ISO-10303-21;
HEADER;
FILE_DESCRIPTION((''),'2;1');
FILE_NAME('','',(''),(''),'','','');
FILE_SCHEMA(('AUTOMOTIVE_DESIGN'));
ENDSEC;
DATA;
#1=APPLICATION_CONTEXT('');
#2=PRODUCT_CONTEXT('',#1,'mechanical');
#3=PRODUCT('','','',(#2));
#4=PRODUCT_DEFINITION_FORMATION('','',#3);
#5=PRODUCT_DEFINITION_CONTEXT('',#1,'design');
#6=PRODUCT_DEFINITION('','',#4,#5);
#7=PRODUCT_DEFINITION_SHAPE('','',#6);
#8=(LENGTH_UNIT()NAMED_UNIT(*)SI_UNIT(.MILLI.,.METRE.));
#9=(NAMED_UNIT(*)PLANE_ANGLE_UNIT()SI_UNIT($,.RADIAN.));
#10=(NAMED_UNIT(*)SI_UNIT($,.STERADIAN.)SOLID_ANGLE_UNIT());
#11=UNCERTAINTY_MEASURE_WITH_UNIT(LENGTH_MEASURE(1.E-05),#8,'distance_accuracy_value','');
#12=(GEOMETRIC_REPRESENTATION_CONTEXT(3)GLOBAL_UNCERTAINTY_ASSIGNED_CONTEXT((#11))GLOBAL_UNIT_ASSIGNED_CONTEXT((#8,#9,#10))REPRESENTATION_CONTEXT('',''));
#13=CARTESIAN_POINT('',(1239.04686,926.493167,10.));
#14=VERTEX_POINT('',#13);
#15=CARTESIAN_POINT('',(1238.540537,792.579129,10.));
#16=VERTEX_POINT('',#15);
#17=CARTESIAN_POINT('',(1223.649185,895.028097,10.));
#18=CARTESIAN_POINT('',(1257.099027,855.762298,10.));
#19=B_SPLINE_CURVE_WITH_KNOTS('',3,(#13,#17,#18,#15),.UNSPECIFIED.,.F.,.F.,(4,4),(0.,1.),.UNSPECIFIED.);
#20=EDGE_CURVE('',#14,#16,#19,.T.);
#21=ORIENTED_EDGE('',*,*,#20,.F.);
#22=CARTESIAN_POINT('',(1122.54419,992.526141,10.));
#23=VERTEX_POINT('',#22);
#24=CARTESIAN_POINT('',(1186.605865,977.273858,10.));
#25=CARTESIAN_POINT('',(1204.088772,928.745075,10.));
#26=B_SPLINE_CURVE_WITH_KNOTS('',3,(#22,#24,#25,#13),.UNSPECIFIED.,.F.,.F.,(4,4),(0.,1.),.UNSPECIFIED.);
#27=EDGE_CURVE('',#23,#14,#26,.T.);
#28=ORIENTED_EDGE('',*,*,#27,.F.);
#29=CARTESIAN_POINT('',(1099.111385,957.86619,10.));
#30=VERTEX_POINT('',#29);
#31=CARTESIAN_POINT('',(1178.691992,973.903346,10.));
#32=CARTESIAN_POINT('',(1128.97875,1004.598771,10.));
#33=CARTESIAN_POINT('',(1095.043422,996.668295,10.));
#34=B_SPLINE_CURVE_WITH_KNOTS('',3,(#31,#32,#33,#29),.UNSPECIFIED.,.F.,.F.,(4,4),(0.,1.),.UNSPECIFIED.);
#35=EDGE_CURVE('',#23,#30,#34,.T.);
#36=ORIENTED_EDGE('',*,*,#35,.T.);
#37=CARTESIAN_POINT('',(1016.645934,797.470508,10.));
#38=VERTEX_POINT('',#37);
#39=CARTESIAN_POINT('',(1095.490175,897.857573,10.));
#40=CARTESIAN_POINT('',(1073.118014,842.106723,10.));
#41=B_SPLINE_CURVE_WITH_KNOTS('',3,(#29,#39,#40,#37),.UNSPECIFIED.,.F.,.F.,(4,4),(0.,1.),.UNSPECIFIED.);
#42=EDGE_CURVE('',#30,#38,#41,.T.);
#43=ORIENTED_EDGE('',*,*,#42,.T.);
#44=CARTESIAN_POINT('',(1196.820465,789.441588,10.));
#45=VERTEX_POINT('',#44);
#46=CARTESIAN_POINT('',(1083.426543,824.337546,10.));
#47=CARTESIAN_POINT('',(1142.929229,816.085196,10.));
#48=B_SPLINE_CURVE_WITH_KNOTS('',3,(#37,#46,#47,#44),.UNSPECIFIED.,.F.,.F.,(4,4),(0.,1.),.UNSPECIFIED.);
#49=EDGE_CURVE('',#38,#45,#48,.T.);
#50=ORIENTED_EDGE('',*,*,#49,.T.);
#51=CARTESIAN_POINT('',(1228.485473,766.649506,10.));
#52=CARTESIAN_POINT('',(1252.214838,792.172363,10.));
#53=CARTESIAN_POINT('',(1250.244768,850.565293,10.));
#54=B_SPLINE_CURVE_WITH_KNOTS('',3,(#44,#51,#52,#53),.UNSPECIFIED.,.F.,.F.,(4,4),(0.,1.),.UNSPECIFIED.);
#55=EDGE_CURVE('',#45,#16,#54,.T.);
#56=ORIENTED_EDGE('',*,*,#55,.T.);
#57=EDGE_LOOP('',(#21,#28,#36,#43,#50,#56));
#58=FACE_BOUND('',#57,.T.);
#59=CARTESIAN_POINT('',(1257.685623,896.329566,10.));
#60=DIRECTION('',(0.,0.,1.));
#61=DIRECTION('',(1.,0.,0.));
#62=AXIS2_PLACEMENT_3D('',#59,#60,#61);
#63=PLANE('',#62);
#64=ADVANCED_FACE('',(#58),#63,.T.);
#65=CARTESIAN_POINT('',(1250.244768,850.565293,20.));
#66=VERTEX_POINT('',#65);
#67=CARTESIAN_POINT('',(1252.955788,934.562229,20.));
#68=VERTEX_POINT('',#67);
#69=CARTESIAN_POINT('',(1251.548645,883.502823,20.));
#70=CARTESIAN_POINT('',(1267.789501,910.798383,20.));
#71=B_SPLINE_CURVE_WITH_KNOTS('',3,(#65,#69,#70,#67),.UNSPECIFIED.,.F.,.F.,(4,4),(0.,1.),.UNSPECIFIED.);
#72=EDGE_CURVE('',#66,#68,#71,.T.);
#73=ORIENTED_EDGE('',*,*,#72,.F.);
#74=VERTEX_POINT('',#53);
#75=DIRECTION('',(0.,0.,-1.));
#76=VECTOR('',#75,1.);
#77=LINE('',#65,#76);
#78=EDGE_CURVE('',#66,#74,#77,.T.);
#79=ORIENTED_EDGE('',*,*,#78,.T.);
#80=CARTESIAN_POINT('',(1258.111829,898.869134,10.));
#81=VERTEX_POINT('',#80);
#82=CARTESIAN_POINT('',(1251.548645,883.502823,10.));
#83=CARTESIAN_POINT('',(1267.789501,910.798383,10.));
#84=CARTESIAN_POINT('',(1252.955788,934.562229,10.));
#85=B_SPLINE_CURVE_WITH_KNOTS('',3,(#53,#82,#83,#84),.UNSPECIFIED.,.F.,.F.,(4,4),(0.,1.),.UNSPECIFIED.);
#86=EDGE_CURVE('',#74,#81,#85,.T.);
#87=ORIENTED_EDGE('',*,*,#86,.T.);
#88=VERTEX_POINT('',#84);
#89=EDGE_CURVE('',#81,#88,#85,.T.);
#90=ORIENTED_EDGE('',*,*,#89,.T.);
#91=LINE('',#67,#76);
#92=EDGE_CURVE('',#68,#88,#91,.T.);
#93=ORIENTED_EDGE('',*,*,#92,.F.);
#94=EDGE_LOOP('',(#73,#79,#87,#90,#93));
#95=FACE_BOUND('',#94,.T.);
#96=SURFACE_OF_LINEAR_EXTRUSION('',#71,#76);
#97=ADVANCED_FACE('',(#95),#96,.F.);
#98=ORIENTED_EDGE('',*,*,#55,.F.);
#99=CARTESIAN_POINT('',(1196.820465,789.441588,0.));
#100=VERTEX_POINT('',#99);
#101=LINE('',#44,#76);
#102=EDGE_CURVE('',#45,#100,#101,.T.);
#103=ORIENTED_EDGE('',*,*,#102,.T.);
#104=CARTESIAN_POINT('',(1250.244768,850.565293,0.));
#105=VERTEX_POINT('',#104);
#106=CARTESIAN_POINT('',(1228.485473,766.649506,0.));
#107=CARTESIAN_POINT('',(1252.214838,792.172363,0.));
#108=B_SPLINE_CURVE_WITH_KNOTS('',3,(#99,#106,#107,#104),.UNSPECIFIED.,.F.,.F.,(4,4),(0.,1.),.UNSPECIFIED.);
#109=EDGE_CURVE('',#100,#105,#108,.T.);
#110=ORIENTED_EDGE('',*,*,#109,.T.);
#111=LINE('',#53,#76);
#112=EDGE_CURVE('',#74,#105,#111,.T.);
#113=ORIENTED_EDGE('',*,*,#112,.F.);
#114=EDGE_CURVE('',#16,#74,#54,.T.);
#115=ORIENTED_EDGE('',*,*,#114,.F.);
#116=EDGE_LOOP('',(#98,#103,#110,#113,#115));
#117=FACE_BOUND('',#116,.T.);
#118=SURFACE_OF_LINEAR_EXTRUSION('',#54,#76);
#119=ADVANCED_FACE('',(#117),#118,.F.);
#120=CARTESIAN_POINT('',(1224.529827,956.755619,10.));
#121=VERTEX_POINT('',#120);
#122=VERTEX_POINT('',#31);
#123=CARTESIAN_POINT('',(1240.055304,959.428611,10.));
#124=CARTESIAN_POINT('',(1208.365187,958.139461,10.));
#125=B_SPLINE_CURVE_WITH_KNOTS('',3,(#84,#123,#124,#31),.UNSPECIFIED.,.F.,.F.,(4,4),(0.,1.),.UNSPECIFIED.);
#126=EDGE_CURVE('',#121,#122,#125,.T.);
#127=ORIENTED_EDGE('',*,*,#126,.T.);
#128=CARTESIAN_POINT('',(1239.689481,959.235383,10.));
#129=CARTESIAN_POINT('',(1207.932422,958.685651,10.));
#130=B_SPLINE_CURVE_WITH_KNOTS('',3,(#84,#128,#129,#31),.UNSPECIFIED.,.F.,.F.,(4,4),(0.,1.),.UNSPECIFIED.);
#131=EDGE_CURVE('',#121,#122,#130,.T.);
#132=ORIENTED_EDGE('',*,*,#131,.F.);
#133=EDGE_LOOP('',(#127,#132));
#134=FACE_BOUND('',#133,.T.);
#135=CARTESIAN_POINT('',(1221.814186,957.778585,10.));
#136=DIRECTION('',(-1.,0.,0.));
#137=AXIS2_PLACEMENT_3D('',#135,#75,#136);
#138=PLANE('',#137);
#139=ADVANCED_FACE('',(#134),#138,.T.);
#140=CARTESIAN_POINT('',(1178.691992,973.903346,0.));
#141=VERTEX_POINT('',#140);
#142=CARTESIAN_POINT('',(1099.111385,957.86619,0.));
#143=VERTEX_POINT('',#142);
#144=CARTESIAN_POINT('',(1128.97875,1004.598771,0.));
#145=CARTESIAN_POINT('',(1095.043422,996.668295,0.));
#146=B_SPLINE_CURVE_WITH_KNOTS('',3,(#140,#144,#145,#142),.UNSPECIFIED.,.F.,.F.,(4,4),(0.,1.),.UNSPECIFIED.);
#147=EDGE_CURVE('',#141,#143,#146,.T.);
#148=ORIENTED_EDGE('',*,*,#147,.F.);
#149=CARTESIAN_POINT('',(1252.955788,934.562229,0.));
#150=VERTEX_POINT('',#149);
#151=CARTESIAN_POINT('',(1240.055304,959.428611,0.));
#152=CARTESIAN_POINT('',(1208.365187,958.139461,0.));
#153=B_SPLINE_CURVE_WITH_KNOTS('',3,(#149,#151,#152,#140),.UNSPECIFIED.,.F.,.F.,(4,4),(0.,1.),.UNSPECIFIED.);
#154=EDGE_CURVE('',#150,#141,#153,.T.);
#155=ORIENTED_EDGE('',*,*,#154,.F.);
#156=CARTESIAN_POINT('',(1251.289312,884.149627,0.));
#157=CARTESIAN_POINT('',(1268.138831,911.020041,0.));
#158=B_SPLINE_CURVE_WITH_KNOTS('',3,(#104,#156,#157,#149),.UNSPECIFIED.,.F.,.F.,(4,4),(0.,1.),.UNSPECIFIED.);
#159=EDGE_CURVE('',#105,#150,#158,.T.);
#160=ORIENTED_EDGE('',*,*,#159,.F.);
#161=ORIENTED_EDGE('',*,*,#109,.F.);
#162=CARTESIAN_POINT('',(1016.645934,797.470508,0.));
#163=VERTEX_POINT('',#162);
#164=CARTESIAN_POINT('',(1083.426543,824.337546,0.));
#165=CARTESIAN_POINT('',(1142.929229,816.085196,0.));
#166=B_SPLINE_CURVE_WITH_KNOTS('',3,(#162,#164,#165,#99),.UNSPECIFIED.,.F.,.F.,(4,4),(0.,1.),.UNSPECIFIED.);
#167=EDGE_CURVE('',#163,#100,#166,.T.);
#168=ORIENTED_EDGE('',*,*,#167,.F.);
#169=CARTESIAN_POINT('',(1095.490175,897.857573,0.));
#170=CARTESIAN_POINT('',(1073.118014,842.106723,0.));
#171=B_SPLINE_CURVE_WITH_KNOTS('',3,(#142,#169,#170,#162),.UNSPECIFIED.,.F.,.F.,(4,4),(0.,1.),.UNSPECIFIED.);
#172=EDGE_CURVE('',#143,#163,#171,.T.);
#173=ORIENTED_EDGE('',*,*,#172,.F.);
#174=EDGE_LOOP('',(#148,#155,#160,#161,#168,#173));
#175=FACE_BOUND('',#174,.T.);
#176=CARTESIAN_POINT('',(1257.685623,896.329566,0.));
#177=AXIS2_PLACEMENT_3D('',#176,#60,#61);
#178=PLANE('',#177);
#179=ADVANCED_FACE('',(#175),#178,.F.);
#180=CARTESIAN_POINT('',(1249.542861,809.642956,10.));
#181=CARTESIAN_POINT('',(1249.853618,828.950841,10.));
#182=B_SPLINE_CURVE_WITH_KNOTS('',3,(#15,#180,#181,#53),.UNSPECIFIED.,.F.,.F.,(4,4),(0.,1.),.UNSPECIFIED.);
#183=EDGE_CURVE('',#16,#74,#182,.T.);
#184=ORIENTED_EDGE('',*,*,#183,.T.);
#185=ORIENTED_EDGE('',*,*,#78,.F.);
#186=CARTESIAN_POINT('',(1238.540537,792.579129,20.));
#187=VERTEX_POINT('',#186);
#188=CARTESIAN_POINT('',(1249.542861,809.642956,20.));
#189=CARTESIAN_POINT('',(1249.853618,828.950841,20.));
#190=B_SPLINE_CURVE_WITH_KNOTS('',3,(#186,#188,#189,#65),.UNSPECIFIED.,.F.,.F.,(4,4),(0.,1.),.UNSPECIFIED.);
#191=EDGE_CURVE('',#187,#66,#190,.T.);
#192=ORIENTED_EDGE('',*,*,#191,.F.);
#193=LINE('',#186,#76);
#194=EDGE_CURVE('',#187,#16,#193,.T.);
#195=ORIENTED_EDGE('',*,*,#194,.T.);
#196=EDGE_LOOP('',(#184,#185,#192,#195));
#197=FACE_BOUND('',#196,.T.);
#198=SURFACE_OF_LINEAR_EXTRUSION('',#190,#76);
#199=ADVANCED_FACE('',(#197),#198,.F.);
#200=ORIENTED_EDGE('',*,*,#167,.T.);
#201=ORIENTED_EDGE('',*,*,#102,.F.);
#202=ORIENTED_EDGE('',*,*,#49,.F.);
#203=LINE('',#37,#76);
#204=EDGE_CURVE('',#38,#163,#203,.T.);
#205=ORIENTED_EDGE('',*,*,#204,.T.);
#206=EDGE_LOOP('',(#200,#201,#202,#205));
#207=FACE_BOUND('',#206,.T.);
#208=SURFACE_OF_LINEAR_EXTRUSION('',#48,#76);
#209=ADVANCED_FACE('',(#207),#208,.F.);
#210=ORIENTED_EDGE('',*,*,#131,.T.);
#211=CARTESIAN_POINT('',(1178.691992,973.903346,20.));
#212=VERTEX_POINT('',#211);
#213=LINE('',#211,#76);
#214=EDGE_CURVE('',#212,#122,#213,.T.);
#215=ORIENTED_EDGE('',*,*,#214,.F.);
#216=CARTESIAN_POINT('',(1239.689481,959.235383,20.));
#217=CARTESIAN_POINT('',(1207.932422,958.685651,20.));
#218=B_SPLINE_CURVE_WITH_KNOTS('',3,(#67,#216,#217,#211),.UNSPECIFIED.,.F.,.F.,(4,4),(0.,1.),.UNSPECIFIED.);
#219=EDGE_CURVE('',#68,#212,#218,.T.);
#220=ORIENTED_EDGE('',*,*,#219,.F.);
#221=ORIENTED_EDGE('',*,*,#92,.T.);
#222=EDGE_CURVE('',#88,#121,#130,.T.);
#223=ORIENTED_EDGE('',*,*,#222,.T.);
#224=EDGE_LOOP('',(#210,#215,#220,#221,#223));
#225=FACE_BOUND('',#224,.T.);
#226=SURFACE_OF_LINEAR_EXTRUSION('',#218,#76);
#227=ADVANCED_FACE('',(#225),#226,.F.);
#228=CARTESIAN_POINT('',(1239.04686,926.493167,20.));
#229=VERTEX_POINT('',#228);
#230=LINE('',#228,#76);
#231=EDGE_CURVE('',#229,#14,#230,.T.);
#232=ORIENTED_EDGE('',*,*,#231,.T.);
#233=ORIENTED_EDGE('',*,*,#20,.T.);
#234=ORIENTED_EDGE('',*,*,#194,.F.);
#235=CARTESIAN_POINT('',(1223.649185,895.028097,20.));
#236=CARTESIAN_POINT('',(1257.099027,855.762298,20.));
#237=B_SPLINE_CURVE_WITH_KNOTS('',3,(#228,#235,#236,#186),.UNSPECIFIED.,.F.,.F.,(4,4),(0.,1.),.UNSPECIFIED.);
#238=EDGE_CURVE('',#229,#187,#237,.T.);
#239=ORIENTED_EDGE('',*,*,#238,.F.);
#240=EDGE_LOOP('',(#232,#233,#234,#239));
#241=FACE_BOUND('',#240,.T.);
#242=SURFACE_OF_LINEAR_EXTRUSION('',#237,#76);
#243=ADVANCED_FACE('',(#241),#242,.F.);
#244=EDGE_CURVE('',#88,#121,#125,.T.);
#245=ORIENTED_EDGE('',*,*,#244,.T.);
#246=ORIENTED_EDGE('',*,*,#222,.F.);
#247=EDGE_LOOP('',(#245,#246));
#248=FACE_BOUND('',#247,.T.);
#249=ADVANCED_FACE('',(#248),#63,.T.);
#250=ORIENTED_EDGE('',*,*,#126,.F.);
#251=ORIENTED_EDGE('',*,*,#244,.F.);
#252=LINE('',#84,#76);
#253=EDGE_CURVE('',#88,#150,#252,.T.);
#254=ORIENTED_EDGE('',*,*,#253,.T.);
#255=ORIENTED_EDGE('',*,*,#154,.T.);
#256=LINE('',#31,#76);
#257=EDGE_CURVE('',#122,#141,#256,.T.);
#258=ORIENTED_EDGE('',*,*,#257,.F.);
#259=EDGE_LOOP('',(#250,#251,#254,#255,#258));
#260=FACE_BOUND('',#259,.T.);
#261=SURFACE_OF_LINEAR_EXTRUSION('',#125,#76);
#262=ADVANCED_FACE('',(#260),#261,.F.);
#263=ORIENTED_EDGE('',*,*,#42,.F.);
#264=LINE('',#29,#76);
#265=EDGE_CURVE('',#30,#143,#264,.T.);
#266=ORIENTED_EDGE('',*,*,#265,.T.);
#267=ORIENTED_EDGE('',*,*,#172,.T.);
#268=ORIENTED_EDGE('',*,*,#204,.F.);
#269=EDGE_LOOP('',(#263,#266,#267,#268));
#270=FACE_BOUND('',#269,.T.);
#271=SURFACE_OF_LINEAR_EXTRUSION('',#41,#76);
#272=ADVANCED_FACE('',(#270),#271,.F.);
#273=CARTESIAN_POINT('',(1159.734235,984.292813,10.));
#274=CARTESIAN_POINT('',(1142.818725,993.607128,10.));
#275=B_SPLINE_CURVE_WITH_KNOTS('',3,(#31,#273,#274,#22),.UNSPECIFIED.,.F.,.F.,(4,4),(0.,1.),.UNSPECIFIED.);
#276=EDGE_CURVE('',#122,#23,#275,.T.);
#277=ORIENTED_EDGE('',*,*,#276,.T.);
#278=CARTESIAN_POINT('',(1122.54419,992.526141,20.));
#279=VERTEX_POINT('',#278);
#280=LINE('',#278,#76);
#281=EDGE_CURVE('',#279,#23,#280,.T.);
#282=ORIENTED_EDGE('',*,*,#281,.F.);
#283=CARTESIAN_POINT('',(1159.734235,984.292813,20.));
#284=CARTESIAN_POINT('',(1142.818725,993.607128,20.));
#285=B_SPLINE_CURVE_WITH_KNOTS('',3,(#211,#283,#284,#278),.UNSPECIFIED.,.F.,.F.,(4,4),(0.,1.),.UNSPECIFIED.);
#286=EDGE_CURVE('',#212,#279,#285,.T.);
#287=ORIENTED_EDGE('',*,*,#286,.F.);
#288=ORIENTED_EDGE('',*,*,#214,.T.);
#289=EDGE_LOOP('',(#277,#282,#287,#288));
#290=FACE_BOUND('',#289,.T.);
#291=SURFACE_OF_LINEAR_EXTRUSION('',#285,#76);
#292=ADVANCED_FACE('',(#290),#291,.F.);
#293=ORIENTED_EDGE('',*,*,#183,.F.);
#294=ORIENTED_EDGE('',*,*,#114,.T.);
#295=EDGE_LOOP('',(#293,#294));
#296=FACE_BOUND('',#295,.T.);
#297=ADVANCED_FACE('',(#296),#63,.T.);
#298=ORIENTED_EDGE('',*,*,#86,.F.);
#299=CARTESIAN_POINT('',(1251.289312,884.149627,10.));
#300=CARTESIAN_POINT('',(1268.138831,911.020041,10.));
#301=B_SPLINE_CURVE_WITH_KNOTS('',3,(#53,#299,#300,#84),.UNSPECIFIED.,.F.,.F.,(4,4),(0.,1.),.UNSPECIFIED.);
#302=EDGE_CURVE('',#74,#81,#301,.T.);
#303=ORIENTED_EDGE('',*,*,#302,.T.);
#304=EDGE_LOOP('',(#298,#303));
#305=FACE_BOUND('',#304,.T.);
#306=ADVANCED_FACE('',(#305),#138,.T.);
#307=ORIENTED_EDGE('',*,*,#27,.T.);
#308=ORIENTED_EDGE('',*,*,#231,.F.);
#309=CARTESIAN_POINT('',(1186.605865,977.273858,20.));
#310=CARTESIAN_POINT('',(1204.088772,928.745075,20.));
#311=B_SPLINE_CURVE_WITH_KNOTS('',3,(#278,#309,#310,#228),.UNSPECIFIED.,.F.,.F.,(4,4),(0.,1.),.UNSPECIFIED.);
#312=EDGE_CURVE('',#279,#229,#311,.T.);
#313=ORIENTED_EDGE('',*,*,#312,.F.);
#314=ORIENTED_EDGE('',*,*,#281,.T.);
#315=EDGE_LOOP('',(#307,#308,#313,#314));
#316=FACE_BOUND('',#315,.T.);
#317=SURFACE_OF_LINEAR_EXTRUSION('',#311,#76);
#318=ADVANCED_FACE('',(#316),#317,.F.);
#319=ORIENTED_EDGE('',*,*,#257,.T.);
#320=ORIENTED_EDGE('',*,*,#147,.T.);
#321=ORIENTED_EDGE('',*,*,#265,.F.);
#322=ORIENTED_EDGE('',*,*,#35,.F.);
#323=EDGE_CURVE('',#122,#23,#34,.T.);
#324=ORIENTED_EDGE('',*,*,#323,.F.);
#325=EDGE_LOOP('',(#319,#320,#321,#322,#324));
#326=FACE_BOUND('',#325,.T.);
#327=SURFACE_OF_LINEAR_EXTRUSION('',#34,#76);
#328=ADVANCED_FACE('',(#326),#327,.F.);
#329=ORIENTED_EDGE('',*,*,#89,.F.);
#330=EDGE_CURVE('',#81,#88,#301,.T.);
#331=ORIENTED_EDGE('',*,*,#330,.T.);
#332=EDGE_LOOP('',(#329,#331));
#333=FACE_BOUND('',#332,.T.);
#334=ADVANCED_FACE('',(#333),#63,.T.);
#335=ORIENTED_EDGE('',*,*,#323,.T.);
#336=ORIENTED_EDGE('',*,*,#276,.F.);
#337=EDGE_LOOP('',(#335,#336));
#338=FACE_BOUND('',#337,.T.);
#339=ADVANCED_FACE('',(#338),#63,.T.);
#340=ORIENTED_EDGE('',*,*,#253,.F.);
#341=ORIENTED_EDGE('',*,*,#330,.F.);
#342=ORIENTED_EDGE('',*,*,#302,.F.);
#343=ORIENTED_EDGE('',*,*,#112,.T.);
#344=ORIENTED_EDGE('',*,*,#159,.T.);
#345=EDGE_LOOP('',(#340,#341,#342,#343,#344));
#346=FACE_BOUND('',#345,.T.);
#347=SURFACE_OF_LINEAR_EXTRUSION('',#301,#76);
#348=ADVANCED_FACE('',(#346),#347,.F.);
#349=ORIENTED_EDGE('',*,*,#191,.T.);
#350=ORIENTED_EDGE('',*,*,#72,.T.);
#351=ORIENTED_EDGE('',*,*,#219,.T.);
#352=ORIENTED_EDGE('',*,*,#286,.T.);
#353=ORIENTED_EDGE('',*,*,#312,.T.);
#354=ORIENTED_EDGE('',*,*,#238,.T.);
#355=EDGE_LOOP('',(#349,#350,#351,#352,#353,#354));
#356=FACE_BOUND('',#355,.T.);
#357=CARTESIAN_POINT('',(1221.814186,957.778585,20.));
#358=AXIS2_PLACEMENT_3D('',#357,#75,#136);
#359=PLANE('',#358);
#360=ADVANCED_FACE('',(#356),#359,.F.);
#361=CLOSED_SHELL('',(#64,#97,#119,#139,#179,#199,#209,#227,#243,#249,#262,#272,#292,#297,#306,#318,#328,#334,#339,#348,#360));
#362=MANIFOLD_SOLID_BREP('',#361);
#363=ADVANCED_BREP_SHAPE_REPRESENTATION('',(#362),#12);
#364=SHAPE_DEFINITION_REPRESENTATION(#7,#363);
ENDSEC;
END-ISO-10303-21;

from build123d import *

# Parameters (mm, degrees)
BOSS_EXTRUDE1_DEPTH = 10
BOSS_EXTRUDE2_DEPTH = 10


with BuildPart() as part:
    # Sketch1 → Boss-Extrude1 (new body)
    with BuildSketch(Plane.XY):
        with BuildLine():
            add(Edge.make_bspline(
                [(1252.955787897, 934.562229178), (1240.055303758, 959.428610854), (1208.365187, 958.139461479), (1178.69199211, 973.903346264)],
                knots=[0, 0, 0, 0, 1, 1, 1, 1], degree=3))
            add(Edge.make_bspline(
                [(1178.69199211, 973.903346264), (1128.978750358, 1004.598770701), (1095.043421859, 996.66829496), (1099.111384517, 957.8661896)],
                knots=[0, 0, 0, 0, 1, 1, 1, 1], degree=3))
            add(Edge.make_bspline(
                [(1099.111384517, 957.8661896), (1095.490174888, 897.857572891), (1073.118013743, 842.106722885), (1016.645934102, 797.470508127)],
                knots=[0, 0, 0, 0, 1, 1, 1, 1], degree=3))
            add(Edge.make_bspline(
                [(1196.820465005, 789.441587826), (1142.929228565, 816.08519632), (1083.426542959, 824.337546066), (1016.645934102, 797.470508127)],
                knots=[0, 0, 0, 0, 1, 1, 1, 1], degree=3))
            add(Edge.make_bspline(
                [(1250.244767726, 850.565293354), (1252.214837872, 792.172363041), (1228.485472959, 766.649506487), (1196.820465005, 789.441587826)],
                knots=[0, 0, 0, 0, 1, 1, 1, 1], degree=3))
            add(Edge.make_bspline(
                [(1252.955787897, 934.562229178), (1268.138830869, 911.020040775), (1251.289312028, 884.149627286), (1250.244767726, 850.565293354)],
                knots=[0, 0, 0, 0, 1, 1, 1, 1], degree=3))
        make_face()
    extrude(amount=BOSS_EXTRUDE1_DEPTH)

    # Sketch2 → Boss-Extrude2 (add)
    with BuildSketch(Plane.XY.offset(10)):
        with BuildLine():
            add(Edge.make_bspline(
                [(1239.046859662, 926.493166974), (1223.649185402, 895.028097144), (1257.099026818, 855.762298455), (1238.540537409, 792.579129425)],
                knots=[0, 0, 0, 0, 1, 1, 1, 1], degree=3))
            add(Edge.make_bspline(
                [(1238.540537409, 792.579129425), (1249.542860844, 809.642956465), (1249.853618496, 828.950841044), (1250.244767726, 850.565293354)],
                knots=[0, 0, 0, 0, 1, 1, 1, 1], degree=3))
            add(Edge.make_bspline(
                [(1252.955787897, 934.562229178), (1267.789500837, 910.798382917), (1251.54864504, 883.502823378), (1250.244767726, 850.565293354)],
                knots=[0, 0, 0, 0, 1, 1, 1, 1], degree=3))
            add(Edge.make_bspline(
                [(1252.955787897, 934.562229178), (1239.689480504, 959.235382946), (1207.932422032, 958.685651363), (1178.69199211, 973.903346264)],
                knots=[0, 0, 0, 0, 1, 1, 1, 1], degree=3))
            add(Edge.make_bspline(
                [(1122.544189663, 992.526141298), (1142.818724947, 993.607128458), (1159.734235476, 984.292812554), (1178.69199211, 973.903346264)],
                knots=[0, 0, 0, 0, 1, 1, 1, 1], degree=3))
            add(Edge.make_bspline(
                [(1239.046859662, 926.493166974), (1204.088771841, 928.745074604), (1186.60586484, 977.273857818), (1122.544189663, 992.526141298)],
                knots=[0, 0, 0, 0, 1, 1, 1, 1], degree=3))
        make_face()
    extrude(amount=BOSS_EXTRUDE2_DEPTH)


solid = part.part
